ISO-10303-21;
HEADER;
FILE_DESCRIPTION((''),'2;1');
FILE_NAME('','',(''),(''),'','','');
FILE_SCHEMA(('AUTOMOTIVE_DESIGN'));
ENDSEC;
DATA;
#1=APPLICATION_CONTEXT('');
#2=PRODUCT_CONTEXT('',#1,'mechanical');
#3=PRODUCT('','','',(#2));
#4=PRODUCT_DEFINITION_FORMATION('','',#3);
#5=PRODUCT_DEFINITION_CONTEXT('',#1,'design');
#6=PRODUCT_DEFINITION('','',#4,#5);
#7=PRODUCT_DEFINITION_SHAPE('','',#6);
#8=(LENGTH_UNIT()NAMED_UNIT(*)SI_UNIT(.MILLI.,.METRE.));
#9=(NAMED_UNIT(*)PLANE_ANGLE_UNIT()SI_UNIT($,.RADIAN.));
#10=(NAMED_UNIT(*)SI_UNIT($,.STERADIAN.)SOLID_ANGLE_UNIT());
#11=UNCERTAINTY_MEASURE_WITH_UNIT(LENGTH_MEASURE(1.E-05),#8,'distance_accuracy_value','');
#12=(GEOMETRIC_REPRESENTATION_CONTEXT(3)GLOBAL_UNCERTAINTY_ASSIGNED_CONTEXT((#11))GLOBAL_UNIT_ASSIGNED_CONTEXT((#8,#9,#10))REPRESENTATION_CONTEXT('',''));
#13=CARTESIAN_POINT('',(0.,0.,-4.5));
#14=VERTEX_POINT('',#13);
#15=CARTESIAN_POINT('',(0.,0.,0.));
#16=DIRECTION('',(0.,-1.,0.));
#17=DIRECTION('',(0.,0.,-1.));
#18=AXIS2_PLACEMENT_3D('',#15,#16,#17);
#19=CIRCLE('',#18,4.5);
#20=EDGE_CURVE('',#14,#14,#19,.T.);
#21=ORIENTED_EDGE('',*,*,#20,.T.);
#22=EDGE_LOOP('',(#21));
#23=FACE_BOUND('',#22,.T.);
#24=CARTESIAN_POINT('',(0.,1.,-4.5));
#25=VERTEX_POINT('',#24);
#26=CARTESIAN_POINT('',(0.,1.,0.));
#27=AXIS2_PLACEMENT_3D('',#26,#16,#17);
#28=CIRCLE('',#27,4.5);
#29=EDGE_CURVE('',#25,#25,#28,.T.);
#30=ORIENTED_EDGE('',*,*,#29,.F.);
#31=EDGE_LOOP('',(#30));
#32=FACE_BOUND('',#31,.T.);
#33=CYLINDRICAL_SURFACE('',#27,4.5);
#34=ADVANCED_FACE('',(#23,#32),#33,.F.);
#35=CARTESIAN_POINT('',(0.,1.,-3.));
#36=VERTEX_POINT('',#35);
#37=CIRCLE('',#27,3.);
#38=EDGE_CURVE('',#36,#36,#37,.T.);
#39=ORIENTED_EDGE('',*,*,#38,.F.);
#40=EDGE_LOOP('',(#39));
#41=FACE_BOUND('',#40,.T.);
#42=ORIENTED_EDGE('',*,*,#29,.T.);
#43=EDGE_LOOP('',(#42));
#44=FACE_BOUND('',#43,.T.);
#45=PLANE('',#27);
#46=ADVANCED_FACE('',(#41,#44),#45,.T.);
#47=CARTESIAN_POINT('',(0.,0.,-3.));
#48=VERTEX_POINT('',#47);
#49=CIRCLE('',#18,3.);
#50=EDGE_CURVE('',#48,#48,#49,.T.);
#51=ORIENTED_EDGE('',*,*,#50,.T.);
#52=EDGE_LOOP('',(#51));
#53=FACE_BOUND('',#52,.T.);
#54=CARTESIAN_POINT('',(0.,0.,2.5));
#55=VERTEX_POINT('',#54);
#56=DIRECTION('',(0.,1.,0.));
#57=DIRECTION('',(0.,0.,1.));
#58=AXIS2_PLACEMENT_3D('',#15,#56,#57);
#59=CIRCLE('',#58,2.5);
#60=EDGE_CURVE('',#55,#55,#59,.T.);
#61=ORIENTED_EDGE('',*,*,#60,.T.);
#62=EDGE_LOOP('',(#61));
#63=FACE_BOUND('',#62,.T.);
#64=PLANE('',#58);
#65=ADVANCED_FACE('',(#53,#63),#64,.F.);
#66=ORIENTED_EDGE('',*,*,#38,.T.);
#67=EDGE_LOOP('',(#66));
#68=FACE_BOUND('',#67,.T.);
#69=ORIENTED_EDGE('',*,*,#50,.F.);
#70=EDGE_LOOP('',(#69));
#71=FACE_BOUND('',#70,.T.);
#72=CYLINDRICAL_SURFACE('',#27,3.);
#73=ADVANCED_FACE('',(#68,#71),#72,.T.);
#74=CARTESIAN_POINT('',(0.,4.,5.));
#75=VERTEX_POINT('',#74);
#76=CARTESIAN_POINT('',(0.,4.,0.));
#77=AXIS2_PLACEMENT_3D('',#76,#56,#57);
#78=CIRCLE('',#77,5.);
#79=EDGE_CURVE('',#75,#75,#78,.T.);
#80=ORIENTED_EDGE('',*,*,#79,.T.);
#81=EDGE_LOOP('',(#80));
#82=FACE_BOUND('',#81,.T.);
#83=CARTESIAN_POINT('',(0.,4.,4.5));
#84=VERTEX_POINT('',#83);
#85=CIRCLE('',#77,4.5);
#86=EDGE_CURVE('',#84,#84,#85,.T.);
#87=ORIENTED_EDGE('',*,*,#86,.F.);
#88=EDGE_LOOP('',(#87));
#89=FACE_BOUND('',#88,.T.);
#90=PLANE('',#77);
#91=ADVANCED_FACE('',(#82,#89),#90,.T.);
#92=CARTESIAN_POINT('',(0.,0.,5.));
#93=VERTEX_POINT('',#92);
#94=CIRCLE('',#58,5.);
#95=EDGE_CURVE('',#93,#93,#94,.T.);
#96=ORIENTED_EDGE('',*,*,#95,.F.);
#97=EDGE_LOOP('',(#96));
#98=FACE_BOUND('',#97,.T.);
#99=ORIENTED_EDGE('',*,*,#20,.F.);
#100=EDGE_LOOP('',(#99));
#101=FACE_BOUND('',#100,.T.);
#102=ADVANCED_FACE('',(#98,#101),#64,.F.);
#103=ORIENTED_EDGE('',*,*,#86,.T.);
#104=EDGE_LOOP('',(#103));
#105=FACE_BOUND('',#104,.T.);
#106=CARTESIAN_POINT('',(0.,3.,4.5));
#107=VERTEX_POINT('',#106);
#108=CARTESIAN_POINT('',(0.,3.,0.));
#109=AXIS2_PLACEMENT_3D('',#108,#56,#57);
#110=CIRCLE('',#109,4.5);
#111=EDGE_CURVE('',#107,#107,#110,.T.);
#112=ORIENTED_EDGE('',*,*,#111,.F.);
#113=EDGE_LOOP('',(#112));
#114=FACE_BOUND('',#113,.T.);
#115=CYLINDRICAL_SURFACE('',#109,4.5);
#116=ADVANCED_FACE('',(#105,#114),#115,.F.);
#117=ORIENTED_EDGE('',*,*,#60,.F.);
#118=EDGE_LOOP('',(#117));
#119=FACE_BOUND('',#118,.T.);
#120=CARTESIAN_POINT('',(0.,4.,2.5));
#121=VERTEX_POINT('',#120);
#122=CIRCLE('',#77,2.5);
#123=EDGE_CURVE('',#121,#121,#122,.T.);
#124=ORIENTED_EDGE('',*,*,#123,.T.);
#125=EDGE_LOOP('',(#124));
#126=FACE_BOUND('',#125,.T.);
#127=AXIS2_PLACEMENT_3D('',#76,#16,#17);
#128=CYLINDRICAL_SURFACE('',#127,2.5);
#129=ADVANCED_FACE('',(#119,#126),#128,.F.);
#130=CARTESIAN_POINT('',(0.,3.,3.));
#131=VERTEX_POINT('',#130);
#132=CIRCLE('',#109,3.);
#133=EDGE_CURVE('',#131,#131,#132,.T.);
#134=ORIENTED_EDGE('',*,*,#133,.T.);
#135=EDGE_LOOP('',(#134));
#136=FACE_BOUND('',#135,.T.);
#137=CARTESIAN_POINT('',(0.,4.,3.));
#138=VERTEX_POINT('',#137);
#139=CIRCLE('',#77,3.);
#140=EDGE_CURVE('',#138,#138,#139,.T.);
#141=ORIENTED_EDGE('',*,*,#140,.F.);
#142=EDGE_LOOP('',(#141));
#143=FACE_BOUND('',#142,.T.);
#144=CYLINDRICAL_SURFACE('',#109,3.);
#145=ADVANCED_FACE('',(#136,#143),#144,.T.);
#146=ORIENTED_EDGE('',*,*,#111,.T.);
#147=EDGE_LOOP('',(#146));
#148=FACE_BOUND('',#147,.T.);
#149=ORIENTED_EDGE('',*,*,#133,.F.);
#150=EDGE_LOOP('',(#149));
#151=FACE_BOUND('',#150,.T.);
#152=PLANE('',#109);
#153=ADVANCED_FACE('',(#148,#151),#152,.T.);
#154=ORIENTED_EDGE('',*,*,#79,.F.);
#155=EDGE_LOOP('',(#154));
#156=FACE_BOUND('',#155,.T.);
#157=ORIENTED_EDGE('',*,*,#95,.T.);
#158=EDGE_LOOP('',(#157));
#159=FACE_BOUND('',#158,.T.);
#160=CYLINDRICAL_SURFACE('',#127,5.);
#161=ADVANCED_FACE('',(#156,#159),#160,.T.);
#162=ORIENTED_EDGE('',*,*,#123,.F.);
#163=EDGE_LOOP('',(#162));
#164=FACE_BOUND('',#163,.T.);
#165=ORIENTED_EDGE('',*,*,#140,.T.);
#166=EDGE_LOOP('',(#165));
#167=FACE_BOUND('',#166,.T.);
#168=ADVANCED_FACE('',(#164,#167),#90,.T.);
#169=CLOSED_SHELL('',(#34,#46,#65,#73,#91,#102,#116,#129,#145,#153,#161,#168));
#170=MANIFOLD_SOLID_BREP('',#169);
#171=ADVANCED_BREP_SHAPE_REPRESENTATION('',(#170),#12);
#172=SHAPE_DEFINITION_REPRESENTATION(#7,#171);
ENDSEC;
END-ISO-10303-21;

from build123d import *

# Parameters (mm, degrees)
SKETCH1_R           = 5
SKETCH1_R_2         = 2.5
BOSS_EXTRUDE1_DEPTH = 4
SKETCH2_R           = 4.5
SKETCH2_R_2         = 3
CUT_EXTRUDE1_DEPTH  = 1
CUT_EXTRUDE2_START  = -1
SKETCH3_R           = 4.5
SKETCH3_R_2         = 3
CUT_EXTRUDE2_DEPTH  = 1


with BuildPart() as part:
    # Sketch1 → Boss-Extrude1 (new body)
    with BuildSketch(Plane(origin=(0, 0, 0), x_dir=(1, 0, 0), z_dir=(0, 1, 0))):
        with Locations(Location((0, 0, 0), (0, 0, 270))):
            Circle(SKETCH1_R)
        with Locations(Location((0, 0, 0), (0, 0, 270))):
            Circle(SKETCH1_R_2, mode=Mode.SUBTRACT)
    extrude(amount=BOSS_EXTRUDE1_DEPTH)

    # Sketch2 → Cut-Extrude1 (cut)
    with BuildSketch(Plane(origin=(0, 4, 0), x_dir=(1, 0, 0), z_dir=(0, 1, 0))):
        with Locations(Location((0, 0, 0), (0, 0, 270))):
            Circle(SKETCH2_R)
        with Locations(Location((0, 0, 0), (0, 0, 270))):
            Circle(SKETCH2_R_2, mode=Mode.SUBTRACT)
    extrude(amount=-CUT_EXTRUDE1_DEPTH, mode=Mode.SUBTRACT)

    # Sketch3 → Cut-Extrude2 (cut)
    with BuildSketch(Plane.XZ.offset(CUT_EXTRUDE2_START)):
        with Locations(Location((0, 0, 0), (0, 0, 90))):
            Circle(SKETCH3_R)
        with Locations(Location((0, 0, 0), (0, 0, 90))):
            Circle(SKETCH3_R_2, mode=Mode.SUBTRACT)
    extrude(amount=CUT_EXTRUDE2_DEPTH, mode=Mode.SUBTRACT)


solid = part.part
